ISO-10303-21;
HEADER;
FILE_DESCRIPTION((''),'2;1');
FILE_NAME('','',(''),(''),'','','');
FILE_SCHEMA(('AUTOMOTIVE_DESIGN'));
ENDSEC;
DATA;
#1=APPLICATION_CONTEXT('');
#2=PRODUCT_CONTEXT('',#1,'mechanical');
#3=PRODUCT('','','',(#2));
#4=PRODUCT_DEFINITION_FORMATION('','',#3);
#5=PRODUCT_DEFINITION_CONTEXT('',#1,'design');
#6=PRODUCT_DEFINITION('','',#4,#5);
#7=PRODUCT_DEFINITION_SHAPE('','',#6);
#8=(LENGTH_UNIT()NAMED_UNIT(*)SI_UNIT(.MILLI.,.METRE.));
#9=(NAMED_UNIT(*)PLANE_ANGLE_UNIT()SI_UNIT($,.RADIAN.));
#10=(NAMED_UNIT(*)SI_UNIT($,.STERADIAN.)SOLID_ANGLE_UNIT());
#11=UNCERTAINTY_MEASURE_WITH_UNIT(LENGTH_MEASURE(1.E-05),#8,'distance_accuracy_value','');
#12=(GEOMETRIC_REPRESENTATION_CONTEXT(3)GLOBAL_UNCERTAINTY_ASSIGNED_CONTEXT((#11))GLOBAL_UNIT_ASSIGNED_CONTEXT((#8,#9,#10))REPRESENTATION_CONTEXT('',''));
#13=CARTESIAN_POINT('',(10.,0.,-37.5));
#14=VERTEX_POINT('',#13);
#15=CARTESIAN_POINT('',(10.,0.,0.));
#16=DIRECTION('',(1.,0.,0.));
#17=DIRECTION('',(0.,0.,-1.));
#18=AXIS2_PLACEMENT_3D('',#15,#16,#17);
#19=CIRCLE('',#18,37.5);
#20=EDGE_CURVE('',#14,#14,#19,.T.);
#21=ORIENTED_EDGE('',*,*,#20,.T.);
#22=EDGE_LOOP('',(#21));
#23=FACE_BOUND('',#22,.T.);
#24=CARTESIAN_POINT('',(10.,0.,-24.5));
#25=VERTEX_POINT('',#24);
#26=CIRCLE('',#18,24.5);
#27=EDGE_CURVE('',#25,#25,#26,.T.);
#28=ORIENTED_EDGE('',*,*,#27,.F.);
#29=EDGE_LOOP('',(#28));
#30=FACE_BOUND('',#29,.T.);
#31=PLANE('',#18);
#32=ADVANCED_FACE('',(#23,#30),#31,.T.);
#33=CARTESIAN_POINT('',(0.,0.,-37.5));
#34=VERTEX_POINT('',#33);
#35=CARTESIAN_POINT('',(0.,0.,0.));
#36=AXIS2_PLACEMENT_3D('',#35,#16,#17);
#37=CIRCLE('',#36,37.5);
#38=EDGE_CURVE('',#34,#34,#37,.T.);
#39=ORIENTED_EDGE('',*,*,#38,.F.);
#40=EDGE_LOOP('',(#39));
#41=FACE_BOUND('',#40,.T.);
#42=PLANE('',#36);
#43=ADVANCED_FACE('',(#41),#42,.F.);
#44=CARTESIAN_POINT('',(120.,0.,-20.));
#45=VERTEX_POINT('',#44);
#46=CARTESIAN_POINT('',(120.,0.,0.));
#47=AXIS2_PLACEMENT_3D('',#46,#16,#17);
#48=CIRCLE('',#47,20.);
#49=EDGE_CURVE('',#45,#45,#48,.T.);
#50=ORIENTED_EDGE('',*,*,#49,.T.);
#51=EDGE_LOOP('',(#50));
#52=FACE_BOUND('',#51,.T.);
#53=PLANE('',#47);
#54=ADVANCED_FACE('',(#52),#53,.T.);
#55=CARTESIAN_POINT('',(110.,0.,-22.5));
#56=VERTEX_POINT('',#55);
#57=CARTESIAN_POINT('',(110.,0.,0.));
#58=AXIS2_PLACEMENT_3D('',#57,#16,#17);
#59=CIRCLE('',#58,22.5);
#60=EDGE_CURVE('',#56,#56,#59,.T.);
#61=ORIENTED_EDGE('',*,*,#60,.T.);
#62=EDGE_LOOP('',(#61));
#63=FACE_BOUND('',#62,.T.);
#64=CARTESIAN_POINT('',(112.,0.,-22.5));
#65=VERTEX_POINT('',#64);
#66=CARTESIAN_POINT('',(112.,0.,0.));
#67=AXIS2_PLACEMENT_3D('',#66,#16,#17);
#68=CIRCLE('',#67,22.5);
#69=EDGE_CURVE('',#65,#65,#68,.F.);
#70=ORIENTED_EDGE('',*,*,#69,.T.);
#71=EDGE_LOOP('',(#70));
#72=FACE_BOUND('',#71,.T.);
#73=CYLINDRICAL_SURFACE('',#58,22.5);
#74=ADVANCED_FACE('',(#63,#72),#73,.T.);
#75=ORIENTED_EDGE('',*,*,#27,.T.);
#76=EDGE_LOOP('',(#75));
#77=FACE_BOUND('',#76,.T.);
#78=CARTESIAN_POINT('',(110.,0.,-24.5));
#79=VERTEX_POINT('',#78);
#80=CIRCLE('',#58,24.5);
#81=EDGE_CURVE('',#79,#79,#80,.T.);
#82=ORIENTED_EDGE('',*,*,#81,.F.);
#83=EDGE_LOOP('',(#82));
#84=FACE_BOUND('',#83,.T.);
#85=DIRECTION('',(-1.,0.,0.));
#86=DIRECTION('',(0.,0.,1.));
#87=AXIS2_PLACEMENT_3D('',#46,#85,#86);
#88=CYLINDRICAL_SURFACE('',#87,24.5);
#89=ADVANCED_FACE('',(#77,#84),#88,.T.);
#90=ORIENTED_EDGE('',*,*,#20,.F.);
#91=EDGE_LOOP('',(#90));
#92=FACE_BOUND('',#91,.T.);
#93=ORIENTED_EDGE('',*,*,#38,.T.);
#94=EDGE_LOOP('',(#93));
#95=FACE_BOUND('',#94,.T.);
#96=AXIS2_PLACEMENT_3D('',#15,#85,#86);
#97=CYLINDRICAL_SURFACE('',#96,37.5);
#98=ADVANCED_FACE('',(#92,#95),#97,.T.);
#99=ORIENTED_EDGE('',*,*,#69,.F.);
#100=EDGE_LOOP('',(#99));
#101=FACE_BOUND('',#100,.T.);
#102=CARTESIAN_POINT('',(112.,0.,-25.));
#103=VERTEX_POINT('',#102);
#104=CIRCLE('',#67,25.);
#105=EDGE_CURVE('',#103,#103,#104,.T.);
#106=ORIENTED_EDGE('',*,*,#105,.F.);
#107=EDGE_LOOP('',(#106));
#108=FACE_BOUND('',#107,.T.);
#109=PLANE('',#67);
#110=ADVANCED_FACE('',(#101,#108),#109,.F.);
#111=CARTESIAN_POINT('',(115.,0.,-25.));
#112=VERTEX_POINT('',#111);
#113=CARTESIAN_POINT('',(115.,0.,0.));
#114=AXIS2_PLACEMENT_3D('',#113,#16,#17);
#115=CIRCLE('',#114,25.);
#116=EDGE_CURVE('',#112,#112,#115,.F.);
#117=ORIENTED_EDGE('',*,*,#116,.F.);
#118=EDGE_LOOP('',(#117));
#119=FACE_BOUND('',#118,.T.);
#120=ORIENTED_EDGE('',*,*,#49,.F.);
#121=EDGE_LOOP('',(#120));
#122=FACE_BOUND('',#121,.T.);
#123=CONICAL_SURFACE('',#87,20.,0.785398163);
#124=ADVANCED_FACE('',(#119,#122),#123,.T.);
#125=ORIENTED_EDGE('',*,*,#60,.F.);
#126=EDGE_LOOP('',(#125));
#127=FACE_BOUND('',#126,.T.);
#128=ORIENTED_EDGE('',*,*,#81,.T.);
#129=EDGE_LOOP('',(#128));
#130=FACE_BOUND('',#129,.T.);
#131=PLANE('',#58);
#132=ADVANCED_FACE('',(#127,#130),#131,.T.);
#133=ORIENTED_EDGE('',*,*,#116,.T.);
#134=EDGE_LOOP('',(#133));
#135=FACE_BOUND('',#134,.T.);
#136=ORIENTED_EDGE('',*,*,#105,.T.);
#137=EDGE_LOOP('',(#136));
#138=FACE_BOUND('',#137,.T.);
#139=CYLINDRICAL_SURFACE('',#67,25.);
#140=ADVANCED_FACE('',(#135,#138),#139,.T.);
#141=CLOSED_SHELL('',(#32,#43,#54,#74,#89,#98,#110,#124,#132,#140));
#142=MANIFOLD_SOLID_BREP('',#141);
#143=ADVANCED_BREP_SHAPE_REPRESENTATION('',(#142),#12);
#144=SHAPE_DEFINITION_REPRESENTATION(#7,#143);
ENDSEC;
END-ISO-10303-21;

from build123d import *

# Parameters (mm, degrees)
SKETCH1_R          = 37.5
EXTRUDE1_DEPTH     = 10
SKETCH2_R          = 24.5
EXTRUDE2_DEPTH     = 110
SKETCH3_OUTSIDE_W  = 109.032
SKETCH3_OUTSIDE_H  = 109.032
SKETCH3_OUTSIDE_R  = 22.5
CUT_EXTRUDE1_DEPTH = 10
SKETCH4_R          = 25
EXTRUDE3_DEPTH     = 8
CHAMFER1_SIZE      = 5


with BuildPart() as part:
    # Sketch1 → Extrude1 (new body)
    with BuildSketch(Plane(origin=(0, 0, 0), x_dir=(0, 0, -1), z_dir=(1, 0, 0))):
        Circle(SKETCH1_R)
    extrude(amount=EXTRUDE1_DEPTH)

    # Sketch2 → Extrude2 (add)
    with BuildSketch(Plane(origin=(10, 0, 0), x_dir=(0, 0, -1), z_dir=(1, 0, 0))):
        Circle(SKETCH2_R)
    extrude(amount=EXTRUDE2_DEPTH)

    # Sketch3 outside → Cut-Extrude1 (cut)
    with BuildSketch(Plane(origin=(120, 0, 0), x_dir=(0, 0, -1), z_dir=(1, 0, 0))):
        Rectangle(SKETCH3_OUTSIDE_W, SKETCH3_OUTSIDE_H)
        Circle(SKETCH3_OUTSIDE_R, mode=Mode.SUBTRACT)
    extrude(amount=-CUT_EXTRUDE1_DEPTH, mode=Mode.SUBTRACT)

    # Sketch4 → Extrude3 (add)
    with BuildSketch(Plane(origin=(120, 0, 0), x_dir=(0, 0, -1), z_dir=(1, 0, 0))):
        Circle(SKETCH4_R)
    extrude(amount=-EXTRUDE3_DEPTH)

    # Chamfer1
    chamfer1_edges = [part.edges().sort_by_distance(p)[0] for p in [
        (120, 0, 25),
    ]]
    chamfer(chamfer1_edges, length=CHAMFER1_SIZE)


solid = part.part
